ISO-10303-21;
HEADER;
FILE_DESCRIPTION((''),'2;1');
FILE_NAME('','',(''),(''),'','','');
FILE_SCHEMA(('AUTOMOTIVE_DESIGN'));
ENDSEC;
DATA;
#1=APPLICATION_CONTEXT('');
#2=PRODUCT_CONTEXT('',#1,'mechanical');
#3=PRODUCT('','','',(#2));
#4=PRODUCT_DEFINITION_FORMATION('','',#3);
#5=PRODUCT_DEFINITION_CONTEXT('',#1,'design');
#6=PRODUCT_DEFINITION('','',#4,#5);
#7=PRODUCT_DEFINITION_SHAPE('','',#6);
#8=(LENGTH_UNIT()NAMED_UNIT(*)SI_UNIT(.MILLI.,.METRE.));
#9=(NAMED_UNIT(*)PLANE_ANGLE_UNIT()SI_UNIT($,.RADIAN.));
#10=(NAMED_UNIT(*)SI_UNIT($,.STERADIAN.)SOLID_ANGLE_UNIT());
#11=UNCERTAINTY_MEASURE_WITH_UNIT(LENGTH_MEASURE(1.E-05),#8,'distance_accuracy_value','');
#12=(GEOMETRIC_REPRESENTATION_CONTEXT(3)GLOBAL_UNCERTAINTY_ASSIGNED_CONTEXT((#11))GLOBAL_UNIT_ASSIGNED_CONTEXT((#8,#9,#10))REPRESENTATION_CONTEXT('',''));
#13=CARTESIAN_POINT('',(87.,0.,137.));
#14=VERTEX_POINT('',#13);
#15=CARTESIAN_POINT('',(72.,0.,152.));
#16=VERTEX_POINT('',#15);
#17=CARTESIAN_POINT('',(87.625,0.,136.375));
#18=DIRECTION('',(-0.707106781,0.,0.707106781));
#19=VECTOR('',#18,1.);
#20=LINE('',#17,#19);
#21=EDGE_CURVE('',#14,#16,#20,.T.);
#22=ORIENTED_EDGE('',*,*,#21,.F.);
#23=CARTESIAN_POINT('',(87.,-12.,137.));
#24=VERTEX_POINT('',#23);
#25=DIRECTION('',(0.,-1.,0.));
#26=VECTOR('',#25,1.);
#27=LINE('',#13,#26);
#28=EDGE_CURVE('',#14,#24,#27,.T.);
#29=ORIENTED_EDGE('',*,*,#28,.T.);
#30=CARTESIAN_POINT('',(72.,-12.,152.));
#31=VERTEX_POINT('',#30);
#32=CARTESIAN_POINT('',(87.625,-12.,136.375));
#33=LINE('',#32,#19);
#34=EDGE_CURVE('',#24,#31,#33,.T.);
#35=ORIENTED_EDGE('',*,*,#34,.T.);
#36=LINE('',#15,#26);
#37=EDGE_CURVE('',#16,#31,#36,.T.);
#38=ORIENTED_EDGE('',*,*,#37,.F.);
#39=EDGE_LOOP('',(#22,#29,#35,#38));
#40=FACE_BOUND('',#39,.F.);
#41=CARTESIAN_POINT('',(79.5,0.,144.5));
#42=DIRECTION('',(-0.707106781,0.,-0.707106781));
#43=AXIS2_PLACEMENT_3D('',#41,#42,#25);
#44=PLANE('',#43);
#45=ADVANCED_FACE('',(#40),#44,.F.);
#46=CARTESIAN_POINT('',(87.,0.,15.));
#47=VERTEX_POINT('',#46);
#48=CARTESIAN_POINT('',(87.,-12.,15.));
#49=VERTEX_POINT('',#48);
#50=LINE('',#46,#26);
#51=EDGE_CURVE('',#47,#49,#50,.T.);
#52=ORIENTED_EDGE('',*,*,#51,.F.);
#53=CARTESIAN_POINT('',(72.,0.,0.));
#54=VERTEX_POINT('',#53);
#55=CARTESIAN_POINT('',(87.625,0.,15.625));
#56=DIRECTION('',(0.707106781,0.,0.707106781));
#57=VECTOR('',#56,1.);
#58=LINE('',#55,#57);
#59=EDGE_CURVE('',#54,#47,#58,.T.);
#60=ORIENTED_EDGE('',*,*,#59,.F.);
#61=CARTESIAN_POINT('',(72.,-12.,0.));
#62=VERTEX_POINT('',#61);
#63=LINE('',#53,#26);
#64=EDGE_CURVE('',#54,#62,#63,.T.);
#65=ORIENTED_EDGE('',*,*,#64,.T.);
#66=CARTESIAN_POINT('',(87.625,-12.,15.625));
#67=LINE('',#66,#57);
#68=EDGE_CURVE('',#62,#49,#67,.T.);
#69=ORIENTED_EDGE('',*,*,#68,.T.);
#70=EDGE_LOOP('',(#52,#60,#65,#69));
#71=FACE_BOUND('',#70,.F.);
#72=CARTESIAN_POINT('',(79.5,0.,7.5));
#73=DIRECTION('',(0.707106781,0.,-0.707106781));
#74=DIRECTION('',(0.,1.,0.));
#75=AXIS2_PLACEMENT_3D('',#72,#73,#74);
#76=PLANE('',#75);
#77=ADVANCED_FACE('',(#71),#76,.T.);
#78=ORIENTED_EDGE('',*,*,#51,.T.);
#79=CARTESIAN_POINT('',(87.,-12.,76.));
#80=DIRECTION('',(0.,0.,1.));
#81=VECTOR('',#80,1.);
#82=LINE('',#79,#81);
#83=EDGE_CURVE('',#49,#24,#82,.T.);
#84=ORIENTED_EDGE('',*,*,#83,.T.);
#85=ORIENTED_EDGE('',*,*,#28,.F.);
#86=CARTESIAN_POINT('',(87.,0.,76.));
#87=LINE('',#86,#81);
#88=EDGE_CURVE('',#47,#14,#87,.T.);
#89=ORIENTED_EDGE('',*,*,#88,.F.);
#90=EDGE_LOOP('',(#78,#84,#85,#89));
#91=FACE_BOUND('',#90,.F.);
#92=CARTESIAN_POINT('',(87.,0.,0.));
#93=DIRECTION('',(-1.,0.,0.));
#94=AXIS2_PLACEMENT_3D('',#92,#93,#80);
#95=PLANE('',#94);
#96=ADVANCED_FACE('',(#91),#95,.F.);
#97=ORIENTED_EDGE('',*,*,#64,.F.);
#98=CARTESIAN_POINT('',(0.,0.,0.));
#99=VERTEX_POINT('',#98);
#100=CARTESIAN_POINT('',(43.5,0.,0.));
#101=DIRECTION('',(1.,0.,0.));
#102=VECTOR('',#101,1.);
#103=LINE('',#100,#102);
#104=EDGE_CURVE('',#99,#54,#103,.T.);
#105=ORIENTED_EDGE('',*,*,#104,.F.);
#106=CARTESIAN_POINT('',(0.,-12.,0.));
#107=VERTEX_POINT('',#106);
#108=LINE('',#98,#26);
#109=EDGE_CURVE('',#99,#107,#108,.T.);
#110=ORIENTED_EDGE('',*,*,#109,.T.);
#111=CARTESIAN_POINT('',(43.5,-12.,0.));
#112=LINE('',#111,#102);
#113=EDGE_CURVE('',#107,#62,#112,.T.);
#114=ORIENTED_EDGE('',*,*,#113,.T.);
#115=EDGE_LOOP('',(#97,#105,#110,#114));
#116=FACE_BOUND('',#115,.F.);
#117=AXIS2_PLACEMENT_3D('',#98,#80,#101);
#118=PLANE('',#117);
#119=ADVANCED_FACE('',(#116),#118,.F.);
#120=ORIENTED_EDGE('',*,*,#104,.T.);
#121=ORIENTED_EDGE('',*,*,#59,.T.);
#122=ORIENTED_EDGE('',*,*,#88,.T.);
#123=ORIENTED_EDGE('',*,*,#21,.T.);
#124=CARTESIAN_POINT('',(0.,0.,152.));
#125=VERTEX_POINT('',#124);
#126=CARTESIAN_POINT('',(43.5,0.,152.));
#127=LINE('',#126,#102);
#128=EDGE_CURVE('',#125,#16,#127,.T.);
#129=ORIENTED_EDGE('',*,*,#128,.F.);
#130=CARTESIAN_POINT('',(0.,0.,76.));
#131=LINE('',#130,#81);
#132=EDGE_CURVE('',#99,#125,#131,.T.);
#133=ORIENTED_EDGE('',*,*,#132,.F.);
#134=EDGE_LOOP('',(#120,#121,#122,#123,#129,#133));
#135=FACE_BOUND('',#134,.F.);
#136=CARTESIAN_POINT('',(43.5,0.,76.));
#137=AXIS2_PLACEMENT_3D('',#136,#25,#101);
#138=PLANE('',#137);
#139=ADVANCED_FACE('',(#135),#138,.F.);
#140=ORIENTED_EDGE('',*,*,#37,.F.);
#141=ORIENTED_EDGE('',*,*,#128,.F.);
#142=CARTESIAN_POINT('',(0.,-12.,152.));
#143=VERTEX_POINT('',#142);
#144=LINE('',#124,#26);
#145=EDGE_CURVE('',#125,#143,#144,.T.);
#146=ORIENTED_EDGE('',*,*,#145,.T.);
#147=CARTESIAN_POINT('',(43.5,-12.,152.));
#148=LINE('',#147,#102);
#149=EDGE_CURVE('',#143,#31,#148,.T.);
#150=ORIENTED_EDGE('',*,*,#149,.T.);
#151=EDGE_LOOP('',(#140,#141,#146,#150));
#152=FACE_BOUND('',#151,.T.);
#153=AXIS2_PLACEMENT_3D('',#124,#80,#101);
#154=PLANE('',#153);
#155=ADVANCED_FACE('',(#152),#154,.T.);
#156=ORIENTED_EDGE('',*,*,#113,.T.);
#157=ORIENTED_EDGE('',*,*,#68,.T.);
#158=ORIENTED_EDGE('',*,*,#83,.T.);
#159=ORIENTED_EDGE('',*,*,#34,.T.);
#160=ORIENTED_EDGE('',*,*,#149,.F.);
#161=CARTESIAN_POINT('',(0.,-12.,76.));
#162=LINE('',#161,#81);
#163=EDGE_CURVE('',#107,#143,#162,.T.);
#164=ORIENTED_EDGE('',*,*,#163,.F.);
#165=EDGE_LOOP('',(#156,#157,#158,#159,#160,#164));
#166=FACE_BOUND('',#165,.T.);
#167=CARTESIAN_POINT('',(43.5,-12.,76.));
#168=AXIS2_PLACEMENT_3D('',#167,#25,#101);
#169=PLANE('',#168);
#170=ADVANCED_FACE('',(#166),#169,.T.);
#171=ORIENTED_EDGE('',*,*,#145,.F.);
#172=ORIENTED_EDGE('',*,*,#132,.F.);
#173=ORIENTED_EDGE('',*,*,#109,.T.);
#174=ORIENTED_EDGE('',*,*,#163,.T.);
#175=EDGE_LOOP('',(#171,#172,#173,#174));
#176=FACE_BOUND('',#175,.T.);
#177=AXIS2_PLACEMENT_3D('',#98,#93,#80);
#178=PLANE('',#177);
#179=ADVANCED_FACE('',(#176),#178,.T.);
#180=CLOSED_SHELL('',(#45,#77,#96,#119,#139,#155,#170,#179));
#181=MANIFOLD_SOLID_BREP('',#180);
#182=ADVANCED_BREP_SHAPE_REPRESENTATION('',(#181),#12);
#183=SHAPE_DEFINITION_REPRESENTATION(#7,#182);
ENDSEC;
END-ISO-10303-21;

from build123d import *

# Parameters (mm, degrees)
F0_W     = 87
F0_H     = 152
F1_DEPTH = 12
F2_SIZE  = 15


with BuildPart() as f1:
    # F0 (on Front) → F1 (new body)
    with BuildSketch(Plane.XZ):
        with Locations((43.5, 76)):
            Rectangle(F0_W, F0_H)
    extrude(amount=F1_DEPTH)

    # F2
    f2_edges = [f1.edges().sort_by_distance(p)[0] for p in [
        (87, -6, 152),
        (87, -6, 0),
    ]]
    chamfer(f2_edges, length=F2_SIZE)


solid = f1.part
